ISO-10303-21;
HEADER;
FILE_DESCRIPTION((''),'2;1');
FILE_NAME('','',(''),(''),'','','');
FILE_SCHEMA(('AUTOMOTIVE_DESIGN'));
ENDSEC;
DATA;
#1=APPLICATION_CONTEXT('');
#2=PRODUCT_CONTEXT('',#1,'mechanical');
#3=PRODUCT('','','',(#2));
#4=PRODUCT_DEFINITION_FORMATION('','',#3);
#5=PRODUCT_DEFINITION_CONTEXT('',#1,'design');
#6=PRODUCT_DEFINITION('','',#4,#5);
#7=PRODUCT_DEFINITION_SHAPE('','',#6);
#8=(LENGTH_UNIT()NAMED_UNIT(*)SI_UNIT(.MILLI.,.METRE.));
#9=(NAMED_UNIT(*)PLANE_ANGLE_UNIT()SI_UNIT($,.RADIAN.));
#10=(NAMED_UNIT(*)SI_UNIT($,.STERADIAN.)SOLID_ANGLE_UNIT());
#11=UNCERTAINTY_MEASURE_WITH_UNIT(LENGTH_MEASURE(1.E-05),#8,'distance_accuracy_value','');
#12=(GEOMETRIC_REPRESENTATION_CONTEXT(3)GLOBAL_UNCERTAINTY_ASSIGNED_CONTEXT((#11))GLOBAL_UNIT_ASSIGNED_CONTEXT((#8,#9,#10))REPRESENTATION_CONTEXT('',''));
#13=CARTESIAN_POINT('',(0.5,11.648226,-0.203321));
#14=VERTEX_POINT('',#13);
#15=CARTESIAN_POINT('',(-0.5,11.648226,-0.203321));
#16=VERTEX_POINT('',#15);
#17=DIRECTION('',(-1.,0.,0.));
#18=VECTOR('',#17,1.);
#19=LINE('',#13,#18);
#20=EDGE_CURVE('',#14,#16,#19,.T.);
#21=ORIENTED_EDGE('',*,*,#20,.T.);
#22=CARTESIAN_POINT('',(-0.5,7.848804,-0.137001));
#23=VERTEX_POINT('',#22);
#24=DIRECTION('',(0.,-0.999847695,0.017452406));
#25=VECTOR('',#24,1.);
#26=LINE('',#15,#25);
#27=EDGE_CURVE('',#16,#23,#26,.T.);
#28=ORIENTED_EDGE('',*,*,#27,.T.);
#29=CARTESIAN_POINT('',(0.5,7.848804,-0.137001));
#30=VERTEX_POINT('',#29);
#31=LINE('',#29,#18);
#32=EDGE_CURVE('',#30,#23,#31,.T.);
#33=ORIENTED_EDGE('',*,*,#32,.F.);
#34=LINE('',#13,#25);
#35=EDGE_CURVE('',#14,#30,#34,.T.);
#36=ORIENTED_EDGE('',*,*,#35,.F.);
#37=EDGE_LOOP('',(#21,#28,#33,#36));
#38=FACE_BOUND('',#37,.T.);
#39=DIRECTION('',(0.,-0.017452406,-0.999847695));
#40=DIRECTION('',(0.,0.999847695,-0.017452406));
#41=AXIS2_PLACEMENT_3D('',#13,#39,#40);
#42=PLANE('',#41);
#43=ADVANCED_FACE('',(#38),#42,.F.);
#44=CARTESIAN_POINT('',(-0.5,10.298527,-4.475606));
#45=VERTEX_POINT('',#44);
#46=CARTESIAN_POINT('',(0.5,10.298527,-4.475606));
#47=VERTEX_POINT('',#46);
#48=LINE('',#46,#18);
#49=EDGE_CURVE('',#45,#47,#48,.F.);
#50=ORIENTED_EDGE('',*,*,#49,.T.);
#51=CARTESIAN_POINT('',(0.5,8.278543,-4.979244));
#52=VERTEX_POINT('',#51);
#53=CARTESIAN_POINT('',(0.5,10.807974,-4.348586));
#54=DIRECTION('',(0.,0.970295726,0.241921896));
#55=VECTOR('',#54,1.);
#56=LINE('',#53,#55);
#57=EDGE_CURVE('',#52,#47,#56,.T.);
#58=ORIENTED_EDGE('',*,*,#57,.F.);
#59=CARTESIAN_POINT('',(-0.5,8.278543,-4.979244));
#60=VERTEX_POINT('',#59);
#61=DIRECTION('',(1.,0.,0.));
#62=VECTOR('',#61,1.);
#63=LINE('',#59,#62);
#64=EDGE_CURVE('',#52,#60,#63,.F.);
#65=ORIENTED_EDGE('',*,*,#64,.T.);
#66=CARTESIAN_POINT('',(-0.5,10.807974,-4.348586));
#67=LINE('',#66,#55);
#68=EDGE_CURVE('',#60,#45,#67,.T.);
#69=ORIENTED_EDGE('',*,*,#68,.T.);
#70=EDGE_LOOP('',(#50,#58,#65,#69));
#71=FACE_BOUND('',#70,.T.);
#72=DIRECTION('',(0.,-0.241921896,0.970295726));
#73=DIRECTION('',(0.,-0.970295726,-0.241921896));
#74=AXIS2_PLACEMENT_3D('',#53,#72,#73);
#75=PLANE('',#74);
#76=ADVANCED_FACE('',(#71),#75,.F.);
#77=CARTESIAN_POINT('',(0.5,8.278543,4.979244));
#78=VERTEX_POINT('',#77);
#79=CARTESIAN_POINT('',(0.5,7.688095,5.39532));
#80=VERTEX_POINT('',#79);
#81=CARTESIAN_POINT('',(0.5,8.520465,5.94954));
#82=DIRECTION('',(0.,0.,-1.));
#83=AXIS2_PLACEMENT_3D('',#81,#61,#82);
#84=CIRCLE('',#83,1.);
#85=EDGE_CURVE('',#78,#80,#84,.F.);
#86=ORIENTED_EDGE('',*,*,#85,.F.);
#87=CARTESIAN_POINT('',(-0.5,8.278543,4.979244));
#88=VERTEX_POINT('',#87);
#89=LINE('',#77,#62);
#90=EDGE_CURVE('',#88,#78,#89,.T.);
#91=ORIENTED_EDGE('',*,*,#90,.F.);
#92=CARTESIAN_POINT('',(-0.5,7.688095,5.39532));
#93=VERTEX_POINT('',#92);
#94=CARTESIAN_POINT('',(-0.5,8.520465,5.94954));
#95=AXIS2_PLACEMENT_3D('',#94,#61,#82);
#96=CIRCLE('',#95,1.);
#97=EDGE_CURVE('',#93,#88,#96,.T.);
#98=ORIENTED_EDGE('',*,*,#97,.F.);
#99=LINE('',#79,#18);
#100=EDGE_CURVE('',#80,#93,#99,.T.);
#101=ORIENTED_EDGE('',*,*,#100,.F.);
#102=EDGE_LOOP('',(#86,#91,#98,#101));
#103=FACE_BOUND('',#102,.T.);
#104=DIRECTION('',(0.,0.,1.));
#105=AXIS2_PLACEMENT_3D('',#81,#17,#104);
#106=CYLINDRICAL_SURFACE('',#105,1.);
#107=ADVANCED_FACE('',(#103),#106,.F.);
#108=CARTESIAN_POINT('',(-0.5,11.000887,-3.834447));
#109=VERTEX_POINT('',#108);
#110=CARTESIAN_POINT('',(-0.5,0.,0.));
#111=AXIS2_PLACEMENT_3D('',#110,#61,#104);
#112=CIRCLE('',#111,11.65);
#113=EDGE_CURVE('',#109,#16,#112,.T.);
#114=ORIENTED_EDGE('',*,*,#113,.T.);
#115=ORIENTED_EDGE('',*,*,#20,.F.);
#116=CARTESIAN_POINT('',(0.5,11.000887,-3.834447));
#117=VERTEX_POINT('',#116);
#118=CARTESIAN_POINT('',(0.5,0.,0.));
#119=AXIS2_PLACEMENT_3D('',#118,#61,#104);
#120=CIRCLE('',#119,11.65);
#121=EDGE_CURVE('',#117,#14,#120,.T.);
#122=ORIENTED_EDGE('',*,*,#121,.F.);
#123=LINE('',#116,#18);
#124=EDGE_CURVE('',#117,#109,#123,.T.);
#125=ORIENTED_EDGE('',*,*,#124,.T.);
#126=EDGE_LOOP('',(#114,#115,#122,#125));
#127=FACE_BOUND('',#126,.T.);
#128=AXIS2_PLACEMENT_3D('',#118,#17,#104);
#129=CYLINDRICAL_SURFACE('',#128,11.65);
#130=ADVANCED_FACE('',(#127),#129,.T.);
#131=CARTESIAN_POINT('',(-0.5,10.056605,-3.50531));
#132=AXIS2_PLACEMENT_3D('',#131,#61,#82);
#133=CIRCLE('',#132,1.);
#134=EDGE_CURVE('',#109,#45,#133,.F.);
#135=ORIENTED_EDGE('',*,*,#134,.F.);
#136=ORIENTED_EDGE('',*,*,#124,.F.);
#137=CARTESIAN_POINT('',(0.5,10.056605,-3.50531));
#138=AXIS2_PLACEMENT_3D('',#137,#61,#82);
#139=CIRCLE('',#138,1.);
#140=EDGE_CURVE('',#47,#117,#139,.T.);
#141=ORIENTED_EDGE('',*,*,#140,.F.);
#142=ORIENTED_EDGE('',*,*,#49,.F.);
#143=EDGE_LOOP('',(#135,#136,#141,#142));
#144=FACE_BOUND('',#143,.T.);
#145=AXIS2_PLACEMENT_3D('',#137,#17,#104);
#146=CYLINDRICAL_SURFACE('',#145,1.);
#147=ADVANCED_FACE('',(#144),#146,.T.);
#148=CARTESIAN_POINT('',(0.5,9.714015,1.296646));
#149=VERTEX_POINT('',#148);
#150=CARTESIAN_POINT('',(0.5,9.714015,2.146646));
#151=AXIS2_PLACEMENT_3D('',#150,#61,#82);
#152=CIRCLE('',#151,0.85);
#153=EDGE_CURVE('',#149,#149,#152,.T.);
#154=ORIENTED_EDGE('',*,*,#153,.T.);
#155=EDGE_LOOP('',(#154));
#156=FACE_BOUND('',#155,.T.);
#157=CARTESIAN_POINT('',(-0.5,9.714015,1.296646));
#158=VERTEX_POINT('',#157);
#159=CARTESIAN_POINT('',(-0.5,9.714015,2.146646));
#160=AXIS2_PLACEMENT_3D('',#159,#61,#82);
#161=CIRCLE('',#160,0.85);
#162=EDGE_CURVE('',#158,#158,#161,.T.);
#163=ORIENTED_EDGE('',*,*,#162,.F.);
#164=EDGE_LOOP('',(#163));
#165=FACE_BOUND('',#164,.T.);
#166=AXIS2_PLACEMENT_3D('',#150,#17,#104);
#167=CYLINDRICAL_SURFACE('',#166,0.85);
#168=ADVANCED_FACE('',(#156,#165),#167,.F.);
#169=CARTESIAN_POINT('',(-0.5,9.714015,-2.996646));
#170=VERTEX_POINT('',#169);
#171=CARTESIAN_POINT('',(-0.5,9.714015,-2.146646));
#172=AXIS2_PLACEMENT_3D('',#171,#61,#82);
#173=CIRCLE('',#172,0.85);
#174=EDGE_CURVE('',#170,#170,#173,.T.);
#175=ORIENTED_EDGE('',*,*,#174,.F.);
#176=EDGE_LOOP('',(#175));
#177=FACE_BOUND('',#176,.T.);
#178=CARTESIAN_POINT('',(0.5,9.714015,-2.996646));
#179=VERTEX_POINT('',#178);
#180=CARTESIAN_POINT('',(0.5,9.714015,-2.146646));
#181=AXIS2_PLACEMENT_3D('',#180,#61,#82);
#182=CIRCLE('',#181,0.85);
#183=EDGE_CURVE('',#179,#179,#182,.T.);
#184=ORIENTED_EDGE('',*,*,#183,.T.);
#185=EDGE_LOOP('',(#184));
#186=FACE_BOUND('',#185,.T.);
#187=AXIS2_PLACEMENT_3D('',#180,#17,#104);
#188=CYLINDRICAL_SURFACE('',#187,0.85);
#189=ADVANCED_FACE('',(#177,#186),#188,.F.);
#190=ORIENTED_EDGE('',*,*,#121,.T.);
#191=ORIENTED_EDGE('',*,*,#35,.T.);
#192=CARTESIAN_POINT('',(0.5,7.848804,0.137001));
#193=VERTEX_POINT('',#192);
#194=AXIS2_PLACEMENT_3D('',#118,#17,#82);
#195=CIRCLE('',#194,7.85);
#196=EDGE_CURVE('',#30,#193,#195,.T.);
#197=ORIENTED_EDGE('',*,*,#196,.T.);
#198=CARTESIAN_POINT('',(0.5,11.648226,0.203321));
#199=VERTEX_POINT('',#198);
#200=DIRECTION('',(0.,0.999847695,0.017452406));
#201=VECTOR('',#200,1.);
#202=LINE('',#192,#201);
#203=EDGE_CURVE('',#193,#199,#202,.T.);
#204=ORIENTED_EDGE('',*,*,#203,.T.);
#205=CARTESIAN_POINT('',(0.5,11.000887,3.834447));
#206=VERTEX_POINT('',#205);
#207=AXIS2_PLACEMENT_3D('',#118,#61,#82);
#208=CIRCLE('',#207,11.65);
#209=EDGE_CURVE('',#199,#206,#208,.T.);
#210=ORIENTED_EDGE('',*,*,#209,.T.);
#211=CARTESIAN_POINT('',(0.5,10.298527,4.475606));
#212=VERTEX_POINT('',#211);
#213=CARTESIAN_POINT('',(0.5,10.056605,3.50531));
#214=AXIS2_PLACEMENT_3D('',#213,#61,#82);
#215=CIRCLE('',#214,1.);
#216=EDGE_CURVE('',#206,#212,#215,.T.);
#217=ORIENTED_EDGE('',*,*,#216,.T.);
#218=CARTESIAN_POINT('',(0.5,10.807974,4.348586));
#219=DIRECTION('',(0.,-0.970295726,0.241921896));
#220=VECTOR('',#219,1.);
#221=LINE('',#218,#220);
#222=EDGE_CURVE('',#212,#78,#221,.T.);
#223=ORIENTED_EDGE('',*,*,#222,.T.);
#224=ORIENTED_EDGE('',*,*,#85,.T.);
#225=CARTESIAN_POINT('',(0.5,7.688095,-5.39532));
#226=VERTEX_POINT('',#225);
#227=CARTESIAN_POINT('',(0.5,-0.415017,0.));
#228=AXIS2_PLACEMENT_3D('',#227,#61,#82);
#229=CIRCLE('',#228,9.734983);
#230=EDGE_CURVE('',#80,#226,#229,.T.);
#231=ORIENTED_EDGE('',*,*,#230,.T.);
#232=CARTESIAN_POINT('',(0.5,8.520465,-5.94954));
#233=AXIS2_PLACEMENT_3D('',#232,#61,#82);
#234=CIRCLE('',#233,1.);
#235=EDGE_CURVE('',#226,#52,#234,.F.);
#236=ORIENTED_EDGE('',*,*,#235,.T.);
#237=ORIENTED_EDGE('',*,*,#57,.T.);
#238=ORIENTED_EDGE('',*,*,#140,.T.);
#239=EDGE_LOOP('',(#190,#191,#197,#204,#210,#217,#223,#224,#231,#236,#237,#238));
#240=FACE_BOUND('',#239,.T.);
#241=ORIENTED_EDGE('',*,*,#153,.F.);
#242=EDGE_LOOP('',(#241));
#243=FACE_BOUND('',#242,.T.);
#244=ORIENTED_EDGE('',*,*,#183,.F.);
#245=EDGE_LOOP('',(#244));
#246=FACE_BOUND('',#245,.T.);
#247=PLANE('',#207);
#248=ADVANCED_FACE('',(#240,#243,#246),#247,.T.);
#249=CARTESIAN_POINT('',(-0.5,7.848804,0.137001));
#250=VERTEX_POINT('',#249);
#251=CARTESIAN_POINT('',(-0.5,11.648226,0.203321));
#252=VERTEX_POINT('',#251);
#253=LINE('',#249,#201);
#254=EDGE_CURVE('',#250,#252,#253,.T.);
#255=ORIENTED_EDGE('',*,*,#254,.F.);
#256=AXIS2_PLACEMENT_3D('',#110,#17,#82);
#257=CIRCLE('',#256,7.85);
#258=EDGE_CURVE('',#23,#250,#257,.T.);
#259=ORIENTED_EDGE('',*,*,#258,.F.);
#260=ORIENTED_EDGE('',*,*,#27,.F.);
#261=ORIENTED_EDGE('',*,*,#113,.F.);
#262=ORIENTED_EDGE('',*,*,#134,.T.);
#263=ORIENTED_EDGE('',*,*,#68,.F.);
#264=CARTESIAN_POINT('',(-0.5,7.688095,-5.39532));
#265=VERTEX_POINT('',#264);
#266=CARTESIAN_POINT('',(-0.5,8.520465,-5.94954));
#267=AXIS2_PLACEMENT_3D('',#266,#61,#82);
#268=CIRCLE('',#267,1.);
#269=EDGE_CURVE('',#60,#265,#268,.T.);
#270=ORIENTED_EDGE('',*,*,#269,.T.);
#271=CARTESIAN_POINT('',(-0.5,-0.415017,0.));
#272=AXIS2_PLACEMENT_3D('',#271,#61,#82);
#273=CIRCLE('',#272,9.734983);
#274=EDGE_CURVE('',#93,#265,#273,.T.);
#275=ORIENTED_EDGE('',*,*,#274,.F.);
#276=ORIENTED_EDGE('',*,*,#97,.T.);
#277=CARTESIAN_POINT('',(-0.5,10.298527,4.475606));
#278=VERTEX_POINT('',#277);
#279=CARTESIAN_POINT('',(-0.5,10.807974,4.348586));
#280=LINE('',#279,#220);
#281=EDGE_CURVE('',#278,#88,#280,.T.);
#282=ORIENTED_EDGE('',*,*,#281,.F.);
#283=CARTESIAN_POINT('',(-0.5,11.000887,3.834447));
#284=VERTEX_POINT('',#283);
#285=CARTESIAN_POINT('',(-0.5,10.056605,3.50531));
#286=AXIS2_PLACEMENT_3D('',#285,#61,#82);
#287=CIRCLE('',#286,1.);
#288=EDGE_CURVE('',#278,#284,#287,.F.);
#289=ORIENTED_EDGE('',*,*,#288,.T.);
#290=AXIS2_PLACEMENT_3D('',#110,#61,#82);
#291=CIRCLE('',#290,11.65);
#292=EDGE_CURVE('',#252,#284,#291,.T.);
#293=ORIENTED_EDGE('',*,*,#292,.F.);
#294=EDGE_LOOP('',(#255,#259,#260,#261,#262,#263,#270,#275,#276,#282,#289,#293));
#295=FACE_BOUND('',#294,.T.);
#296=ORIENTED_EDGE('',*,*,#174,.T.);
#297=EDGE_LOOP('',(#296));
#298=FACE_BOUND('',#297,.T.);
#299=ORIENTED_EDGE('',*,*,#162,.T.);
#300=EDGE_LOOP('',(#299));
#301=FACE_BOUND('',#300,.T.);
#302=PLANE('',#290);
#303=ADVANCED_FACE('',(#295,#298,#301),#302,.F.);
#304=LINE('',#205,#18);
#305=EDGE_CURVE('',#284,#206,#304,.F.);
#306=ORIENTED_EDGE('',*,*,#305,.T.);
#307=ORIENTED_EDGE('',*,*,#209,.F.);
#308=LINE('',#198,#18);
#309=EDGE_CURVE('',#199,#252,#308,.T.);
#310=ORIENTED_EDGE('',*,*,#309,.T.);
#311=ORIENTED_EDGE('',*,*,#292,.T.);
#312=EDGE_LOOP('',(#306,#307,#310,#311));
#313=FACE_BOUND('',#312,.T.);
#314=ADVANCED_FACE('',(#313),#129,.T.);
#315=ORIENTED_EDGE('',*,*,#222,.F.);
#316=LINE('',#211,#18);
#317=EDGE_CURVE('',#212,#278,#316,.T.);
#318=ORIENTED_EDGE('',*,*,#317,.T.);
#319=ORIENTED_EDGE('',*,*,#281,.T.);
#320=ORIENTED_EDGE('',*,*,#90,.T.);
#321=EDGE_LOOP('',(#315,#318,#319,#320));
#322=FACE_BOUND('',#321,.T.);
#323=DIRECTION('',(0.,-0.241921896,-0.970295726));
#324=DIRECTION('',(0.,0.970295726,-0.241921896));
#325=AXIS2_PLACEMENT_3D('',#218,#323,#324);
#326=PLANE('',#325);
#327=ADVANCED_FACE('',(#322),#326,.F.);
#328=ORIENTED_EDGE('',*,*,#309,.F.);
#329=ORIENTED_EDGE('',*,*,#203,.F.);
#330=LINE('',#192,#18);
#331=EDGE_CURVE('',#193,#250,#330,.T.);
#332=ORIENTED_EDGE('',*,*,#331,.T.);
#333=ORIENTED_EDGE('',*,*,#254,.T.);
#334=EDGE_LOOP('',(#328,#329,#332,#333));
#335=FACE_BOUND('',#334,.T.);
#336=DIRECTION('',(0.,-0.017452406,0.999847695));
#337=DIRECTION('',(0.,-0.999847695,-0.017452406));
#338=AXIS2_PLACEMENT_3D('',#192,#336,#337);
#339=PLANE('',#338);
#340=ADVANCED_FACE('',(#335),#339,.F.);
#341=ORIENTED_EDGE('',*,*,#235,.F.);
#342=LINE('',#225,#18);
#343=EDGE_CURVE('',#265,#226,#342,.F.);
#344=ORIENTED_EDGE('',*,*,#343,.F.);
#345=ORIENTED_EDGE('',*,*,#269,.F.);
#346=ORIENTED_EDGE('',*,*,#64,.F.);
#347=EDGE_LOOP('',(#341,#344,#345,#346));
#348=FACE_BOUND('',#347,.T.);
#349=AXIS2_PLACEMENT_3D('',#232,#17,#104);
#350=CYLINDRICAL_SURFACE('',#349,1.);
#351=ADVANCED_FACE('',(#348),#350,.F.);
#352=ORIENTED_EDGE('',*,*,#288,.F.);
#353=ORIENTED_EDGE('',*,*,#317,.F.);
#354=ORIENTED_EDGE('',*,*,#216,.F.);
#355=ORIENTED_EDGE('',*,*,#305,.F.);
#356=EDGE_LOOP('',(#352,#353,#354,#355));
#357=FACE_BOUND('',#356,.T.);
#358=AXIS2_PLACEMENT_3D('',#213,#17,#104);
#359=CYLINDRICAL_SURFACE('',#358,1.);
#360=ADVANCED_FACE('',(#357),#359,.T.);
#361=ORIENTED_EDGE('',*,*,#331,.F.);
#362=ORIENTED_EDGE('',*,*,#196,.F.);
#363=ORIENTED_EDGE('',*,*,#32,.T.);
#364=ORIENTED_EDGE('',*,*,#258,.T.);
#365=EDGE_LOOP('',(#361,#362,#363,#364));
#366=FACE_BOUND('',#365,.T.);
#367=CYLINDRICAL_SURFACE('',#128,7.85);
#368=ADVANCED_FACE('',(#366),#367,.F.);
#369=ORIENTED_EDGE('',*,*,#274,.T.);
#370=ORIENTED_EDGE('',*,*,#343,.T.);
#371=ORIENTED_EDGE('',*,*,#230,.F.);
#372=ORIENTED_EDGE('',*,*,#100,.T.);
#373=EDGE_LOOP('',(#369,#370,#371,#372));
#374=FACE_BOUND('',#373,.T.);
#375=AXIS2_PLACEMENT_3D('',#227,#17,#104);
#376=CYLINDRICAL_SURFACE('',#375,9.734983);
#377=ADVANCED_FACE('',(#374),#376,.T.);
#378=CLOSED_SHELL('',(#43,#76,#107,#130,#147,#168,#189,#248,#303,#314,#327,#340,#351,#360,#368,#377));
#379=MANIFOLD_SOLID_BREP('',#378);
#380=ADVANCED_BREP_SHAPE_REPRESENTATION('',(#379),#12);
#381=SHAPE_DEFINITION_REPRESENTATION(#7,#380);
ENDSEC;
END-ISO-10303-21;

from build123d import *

# Parameters (mm, degrees)
SKETCH1_R      = 0.85
EXTRUDE1_DEPTH = 0.5
FILLET1_R      = 1


with BuildPart() as part:
    # Sketch1 → Extrude1 (new, symmetric)
    with BuildSketch(Plane(origin=(0, 0, 0), x_dir=(0, 0, -1), z_dir=(1, 0, 0))):
        with BuildLine():
            Line((-0.137001391, 7.848804407), (-0.203320535, 11.648225649))
            ThreePointArc((-0.203320535, 11.648225649), (-2.314404903, 11.417794443), (-4.34858642, 10.80797373))
            Line((-4.34858642, 10.80797373), (-5.075594765, 7.892102523))
            ThreePointArc((-5.075594765, 7.892102523), (0, -10.15), (5.075594765, 7.892102523))
            Line((5.075594765, 7.892102523), (4.34858642, 10.80797373))
            ThreePointArc((4.34858642, 10.80797373), (2.314404903, 11.417794443), (0.203320535, 11.648225649))
            Line((0.203320535, 11.648225649), (0.137001391, 7.848804407))
            ThreePointArc((0.137001391, 7.848804407), (0, -7.85), (-0.137001391, 7.848804407))
        make_face()
        with Locations((-2.146646476, 9.714015345)):
            Circle(SKETCH1_R, mode=Mode.SUBTRACT)
        with Locations((2.146646476, 9.714015345)):
            Circle(SKETCH1_R, mode=Mode.SUBTRACT)
    extrude(amount=EXTRUDE1_DEPTH, both=True)

    # Fillet1
    fillet1_edges = [part.edges().sort_by_distance(p)[0] for p in [
        (0, 10.80797373, -4.34858642),
        (0, 7.892102523, -5.075594765),
        (0, 7.892102523, 5.075594765),
        (0, 10.80797373, 4.34858642),
    ]]
    fillet(fillet1_edges, radius=FILLET1_R)


solid = part.part
